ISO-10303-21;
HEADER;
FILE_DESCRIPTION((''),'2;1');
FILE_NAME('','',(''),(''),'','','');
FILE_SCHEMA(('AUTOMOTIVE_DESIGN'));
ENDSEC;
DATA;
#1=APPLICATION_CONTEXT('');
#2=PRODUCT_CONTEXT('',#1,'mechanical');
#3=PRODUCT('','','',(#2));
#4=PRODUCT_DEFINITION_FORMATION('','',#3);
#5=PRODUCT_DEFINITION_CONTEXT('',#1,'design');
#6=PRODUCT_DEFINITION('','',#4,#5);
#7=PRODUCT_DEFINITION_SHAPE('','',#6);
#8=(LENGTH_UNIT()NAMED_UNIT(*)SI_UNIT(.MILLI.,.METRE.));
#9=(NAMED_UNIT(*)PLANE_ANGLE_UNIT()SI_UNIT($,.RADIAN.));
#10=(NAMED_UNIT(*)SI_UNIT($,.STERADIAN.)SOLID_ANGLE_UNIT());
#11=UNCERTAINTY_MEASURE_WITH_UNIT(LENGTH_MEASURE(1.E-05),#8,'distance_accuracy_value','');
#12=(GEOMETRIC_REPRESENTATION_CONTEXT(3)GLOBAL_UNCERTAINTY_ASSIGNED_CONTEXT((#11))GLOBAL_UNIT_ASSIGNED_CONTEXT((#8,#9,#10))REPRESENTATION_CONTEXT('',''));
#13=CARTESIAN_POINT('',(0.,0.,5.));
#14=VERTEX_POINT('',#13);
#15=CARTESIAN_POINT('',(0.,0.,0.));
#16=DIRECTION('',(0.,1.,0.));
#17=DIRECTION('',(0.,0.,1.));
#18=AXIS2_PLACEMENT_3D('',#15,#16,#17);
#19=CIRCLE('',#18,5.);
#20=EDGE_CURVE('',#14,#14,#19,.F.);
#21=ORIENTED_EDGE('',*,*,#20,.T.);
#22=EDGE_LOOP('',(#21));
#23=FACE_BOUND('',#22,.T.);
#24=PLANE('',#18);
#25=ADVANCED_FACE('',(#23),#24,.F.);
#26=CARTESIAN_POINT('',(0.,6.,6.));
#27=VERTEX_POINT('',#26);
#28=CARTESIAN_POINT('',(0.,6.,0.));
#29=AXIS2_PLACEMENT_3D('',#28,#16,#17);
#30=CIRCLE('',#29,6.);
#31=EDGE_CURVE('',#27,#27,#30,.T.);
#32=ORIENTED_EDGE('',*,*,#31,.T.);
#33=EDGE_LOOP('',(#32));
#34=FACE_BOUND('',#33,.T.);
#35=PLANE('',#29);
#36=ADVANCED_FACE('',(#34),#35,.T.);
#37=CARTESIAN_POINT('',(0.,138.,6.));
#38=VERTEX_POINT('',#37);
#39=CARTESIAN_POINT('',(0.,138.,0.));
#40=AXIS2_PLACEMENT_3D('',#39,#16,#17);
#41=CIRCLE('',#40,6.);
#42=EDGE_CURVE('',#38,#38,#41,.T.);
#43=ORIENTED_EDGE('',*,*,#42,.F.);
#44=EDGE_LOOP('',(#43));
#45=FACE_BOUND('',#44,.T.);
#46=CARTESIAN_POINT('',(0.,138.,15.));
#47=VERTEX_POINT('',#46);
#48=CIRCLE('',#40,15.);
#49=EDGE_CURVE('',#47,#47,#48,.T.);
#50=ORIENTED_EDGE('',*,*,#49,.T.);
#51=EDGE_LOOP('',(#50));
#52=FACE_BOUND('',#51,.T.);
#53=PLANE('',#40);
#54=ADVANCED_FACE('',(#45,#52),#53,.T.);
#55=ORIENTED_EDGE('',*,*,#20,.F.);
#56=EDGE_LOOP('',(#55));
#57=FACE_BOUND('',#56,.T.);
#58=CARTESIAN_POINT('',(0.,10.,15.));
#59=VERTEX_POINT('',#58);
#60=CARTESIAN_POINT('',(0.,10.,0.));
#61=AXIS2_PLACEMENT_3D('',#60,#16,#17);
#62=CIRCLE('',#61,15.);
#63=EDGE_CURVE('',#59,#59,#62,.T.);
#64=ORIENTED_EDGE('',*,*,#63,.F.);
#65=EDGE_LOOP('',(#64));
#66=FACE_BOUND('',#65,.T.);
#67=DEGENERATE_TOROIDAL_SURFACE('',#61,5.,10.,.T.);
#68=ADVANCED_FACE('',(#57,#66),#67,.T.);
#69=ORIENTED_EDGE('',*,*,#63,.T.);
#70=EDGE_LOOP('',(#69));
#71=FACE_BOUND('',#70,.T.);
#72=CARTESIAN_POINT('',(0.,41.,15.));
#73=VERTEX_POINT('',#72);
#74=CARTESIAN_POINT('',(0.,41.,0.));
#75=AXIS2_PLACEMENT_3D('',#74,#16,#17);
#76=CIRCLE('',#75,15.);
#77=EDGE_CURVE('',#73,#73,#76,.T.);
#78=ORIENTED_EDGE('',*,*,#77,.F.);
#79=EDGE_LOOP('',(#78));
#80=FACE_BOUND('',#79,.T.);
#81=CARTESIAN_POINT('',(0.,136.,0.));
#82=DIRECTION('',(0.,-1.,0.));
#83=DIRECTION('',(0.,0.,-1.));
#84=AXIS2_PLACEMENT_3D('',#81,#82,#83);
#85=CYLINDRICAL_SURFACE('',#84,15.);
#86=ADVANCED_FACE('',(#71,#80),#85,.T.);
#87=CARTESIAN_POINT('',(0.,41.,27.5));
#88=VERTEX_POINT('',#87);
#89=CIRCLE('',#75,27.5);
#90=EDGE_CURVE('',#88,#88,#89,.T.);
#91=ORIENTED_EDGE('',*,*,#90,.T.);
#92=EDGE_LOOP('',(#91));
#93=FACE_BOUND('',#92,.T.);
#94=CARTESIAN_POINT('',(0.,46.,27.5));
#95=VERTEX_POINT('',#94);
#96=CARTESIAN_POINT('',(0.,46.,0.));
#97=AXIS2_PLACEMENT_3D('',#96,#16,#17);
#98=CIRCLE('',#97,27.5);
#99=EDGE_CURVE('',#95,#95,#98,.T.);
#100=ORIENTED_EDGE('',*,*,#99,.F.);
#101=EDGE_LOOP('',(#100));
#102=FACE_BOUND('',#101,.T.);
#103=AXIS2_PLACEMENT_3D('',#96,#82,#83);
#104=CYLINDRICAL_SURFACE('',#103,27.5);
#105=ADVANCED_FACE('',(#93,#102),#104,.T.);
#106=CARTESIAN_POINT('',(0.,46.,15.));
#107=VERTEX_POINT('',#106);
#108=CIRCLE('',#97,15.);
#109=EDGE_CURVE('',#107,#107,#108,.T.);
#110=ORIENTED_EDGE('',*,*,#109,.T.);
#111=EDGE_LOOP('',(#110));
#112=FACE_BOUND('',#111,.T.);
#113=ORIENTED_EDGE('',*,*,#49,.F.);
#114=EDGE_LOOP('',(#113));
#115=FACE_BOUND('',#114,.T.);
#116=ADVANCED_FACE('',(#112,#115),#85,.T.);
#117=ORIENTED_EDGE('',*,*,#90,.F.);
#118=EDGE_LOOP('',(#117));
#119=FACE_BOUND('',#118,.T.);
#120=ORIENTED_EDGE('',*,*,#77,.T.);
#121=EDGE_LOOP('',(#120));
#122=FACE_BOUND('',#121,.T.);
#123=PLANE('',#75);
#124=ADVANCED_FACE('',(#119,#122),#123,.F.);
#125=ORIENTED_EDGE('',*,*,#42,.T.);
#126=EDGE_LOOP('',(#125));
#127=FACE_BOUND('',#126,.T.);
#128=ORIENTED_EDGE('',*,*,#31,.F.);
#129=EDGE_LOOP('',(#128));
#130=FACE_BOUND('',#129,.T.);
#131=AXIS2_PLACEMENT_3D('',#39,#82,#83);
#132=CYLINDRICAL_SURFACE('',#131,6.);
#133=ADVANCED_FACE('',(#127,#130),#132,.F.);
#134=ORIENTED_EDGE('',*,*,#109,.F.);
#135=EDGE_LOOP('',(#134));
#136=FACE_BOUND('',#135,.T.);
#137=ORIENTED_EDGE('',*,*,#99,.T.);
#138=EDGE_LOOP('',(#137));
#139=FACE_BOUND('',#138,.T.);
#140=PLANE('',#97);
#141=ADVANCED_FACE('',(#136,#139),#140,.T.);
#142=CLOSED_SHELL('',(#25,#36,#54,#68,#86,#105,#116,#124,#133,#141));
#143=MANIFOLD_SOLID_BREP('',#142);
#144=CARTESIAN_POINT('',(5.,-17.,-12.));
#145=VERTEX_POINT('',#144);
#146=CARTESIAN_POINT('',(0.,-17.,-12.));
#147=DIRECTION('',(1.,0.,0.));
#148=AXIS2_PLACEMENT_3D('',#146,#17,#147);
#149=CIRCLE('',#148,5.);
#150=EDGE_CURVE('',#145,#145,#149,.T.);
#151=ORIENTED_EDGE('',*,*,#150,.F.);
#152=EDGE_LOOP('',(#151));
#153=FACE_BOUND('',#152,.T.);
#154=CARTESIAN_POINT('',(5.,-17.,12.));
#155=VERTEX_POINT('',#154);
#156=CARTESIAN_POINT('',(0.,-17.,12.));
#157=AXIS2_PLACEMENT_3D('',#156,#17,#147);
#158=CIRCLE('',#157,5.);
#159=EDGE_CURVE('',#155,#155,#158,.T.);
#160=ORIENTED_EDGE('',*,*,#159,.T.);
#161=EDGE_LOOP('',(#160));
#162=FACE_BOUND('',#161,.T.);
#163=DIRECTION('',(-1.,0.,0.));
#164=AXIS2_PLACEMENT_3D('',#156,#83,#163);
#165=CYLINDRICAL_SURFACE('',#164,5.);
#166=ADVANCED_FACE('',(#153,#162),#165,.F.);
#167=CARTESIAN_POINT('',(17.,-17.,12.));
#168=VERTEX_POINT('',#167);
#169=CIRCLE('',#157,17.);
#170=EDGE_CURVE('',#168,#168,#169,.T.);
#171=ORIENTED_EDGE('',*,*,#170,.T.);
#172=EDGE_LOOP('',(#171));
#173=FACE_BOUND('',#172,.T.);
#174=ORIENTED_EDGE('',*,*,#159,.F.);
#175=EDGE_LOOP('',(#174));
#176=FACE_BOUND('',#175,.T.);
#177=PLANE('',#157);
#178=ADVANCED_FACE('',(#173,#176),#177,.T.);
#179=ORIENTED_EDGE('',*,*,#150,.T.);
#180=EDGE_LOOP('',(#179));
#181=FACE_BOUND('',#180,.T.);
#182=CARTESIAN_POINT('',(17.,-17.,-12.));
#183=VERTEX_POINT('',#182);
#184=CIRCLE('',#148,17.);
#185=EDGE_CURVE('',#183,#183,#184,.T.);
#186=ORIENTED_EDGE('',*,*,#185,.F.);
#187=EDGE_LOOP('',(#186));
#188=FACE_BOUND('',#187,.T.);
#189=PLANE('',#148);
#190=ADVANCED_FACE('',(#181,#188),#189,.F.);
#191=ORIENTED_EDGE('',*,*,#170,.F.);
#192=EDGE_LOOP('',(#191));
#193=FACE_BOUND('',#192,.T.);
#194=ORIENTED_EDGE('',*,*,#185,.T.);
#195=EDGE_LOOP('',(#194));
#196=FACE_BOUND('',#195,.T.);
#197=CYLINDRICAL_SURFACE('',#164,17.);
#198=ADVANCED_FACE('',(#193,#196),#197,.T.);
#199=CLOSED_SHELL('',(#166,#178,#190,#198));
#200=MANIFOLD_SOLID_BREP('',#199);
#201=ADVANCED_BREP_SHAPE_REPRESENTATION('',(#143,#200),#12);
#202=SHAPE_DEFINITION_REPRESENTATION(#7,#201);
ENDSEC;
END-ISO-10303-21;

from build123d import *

# Parameters (mm, degrees)
SKETCH_1_R          = 15
EXTRUDE_1_DEPTH     = 136
SKETCH_2_R          = 15
SKETCH_2_R_2        = 6
EXTRUDE_2_DEPTH     = 2
CUT_EXTRUDE_START   = -130
SKETCH_3_R          = 6
CUT_EXTRUDE_1_DEPTH = 130
SKETCH_4_R          = 17
SKETCH_4_R_2        = 5
EXTRUDE_3_DEPTH     = 12
FILLET_1_R          = 10
SKETCH_6_R          = 27.5
SKETCH_6_R_2        = 15
EXTRUDE_4_DEPTH     = 5


with BuildPart() as part:
    # Эскиз1 → Бобышка-Вытянуть1 (new body)
    with BuildSketch(Plane(origin=(0, 0, 0), x_dir=(1, 0, 0), z_dir=(0, 1, 0))):
        with Locations(Location((0, 0, 0), (0, 0, 270))):
            Circle(SKETCH_1_R)
    extrude(amount=EXTRUDE_1_DEPTH)

    # Эскиз2 → Бобышка-Вытянуть2 (add)
    with BuildSketch(Plane(origin=(0, 136, 0), x_dir=(1, 0, 0), z_dir=(0, 1, 0))):
        with Locations(Location((0, 0, 0), (0, 0, 270))):
            Circle(SKETCH_2_R)
        with Locations(Location((0, 0, 0), (0, 0, 270))):
            Circle(SKETCH_2_R_2, mode=Mode.SUBTRACT)
    extrude(amount=EXTRUDE_2_DEPTH)

    # Эскиз3 → Вырез-Вытянуть1 (cut)
    with BuildSketch(Plane(origin=(0, 136, 0), x_dir=(1, 0, 0), z_dir=(0, 1, 0)).offset(CUT_EXTRUDE_START)):
        with Locations(Location((0, 0, 0), (0, 0, 270))):
            Circle(SKETCH_3_R)
    extrude(amount=CUT_EXTRUDE_1_DEPTH, mode=Mode.SUBTRACT)

    # Скругление1
    fillet_1_edges = [part.edges().sort_by_distance(p)[0] for p in [
        (0, 0, -15),
    ]]
    fillet(fillet_1_edges, radius=FILLET_1_R)

    # Эскиз6 → Бобышка-Вытянуть4 (add)
    with BuildSketch(Plane(origin=(0, 41, 0), x_dir=(1, 0, 0), z_dir=(0, 1, 0))):
        with Locations(Location((0, 0, 0), (0, 0, 270))):
            Circle(SKETCH_6_R)
        with Locations(Location((0, 0, 0), (0, 0, 270))):
            Circle(SKETCH_6_R_2, mode=Mode.SUBTRACT)
    extrude(amount=EXTRUDE_4_DEPTH)


with BuildPart() as body_2:
    # Эскиз4 → Бобышка-Вытянуть3 (new, symmetric)
    with BuildSketch(Plane.XY):
        with Locations((0, -17)):
            Circle(SKETCH_4_R)
        with Locations((0, -17)):
            Circle(SKETCH_4_R_2, mode=Mode.SUBTRACT)
    extrude(amount=EXTRUDE_3_DEPTH, both=True)


solid = Compound([part.part, body_2.part])
